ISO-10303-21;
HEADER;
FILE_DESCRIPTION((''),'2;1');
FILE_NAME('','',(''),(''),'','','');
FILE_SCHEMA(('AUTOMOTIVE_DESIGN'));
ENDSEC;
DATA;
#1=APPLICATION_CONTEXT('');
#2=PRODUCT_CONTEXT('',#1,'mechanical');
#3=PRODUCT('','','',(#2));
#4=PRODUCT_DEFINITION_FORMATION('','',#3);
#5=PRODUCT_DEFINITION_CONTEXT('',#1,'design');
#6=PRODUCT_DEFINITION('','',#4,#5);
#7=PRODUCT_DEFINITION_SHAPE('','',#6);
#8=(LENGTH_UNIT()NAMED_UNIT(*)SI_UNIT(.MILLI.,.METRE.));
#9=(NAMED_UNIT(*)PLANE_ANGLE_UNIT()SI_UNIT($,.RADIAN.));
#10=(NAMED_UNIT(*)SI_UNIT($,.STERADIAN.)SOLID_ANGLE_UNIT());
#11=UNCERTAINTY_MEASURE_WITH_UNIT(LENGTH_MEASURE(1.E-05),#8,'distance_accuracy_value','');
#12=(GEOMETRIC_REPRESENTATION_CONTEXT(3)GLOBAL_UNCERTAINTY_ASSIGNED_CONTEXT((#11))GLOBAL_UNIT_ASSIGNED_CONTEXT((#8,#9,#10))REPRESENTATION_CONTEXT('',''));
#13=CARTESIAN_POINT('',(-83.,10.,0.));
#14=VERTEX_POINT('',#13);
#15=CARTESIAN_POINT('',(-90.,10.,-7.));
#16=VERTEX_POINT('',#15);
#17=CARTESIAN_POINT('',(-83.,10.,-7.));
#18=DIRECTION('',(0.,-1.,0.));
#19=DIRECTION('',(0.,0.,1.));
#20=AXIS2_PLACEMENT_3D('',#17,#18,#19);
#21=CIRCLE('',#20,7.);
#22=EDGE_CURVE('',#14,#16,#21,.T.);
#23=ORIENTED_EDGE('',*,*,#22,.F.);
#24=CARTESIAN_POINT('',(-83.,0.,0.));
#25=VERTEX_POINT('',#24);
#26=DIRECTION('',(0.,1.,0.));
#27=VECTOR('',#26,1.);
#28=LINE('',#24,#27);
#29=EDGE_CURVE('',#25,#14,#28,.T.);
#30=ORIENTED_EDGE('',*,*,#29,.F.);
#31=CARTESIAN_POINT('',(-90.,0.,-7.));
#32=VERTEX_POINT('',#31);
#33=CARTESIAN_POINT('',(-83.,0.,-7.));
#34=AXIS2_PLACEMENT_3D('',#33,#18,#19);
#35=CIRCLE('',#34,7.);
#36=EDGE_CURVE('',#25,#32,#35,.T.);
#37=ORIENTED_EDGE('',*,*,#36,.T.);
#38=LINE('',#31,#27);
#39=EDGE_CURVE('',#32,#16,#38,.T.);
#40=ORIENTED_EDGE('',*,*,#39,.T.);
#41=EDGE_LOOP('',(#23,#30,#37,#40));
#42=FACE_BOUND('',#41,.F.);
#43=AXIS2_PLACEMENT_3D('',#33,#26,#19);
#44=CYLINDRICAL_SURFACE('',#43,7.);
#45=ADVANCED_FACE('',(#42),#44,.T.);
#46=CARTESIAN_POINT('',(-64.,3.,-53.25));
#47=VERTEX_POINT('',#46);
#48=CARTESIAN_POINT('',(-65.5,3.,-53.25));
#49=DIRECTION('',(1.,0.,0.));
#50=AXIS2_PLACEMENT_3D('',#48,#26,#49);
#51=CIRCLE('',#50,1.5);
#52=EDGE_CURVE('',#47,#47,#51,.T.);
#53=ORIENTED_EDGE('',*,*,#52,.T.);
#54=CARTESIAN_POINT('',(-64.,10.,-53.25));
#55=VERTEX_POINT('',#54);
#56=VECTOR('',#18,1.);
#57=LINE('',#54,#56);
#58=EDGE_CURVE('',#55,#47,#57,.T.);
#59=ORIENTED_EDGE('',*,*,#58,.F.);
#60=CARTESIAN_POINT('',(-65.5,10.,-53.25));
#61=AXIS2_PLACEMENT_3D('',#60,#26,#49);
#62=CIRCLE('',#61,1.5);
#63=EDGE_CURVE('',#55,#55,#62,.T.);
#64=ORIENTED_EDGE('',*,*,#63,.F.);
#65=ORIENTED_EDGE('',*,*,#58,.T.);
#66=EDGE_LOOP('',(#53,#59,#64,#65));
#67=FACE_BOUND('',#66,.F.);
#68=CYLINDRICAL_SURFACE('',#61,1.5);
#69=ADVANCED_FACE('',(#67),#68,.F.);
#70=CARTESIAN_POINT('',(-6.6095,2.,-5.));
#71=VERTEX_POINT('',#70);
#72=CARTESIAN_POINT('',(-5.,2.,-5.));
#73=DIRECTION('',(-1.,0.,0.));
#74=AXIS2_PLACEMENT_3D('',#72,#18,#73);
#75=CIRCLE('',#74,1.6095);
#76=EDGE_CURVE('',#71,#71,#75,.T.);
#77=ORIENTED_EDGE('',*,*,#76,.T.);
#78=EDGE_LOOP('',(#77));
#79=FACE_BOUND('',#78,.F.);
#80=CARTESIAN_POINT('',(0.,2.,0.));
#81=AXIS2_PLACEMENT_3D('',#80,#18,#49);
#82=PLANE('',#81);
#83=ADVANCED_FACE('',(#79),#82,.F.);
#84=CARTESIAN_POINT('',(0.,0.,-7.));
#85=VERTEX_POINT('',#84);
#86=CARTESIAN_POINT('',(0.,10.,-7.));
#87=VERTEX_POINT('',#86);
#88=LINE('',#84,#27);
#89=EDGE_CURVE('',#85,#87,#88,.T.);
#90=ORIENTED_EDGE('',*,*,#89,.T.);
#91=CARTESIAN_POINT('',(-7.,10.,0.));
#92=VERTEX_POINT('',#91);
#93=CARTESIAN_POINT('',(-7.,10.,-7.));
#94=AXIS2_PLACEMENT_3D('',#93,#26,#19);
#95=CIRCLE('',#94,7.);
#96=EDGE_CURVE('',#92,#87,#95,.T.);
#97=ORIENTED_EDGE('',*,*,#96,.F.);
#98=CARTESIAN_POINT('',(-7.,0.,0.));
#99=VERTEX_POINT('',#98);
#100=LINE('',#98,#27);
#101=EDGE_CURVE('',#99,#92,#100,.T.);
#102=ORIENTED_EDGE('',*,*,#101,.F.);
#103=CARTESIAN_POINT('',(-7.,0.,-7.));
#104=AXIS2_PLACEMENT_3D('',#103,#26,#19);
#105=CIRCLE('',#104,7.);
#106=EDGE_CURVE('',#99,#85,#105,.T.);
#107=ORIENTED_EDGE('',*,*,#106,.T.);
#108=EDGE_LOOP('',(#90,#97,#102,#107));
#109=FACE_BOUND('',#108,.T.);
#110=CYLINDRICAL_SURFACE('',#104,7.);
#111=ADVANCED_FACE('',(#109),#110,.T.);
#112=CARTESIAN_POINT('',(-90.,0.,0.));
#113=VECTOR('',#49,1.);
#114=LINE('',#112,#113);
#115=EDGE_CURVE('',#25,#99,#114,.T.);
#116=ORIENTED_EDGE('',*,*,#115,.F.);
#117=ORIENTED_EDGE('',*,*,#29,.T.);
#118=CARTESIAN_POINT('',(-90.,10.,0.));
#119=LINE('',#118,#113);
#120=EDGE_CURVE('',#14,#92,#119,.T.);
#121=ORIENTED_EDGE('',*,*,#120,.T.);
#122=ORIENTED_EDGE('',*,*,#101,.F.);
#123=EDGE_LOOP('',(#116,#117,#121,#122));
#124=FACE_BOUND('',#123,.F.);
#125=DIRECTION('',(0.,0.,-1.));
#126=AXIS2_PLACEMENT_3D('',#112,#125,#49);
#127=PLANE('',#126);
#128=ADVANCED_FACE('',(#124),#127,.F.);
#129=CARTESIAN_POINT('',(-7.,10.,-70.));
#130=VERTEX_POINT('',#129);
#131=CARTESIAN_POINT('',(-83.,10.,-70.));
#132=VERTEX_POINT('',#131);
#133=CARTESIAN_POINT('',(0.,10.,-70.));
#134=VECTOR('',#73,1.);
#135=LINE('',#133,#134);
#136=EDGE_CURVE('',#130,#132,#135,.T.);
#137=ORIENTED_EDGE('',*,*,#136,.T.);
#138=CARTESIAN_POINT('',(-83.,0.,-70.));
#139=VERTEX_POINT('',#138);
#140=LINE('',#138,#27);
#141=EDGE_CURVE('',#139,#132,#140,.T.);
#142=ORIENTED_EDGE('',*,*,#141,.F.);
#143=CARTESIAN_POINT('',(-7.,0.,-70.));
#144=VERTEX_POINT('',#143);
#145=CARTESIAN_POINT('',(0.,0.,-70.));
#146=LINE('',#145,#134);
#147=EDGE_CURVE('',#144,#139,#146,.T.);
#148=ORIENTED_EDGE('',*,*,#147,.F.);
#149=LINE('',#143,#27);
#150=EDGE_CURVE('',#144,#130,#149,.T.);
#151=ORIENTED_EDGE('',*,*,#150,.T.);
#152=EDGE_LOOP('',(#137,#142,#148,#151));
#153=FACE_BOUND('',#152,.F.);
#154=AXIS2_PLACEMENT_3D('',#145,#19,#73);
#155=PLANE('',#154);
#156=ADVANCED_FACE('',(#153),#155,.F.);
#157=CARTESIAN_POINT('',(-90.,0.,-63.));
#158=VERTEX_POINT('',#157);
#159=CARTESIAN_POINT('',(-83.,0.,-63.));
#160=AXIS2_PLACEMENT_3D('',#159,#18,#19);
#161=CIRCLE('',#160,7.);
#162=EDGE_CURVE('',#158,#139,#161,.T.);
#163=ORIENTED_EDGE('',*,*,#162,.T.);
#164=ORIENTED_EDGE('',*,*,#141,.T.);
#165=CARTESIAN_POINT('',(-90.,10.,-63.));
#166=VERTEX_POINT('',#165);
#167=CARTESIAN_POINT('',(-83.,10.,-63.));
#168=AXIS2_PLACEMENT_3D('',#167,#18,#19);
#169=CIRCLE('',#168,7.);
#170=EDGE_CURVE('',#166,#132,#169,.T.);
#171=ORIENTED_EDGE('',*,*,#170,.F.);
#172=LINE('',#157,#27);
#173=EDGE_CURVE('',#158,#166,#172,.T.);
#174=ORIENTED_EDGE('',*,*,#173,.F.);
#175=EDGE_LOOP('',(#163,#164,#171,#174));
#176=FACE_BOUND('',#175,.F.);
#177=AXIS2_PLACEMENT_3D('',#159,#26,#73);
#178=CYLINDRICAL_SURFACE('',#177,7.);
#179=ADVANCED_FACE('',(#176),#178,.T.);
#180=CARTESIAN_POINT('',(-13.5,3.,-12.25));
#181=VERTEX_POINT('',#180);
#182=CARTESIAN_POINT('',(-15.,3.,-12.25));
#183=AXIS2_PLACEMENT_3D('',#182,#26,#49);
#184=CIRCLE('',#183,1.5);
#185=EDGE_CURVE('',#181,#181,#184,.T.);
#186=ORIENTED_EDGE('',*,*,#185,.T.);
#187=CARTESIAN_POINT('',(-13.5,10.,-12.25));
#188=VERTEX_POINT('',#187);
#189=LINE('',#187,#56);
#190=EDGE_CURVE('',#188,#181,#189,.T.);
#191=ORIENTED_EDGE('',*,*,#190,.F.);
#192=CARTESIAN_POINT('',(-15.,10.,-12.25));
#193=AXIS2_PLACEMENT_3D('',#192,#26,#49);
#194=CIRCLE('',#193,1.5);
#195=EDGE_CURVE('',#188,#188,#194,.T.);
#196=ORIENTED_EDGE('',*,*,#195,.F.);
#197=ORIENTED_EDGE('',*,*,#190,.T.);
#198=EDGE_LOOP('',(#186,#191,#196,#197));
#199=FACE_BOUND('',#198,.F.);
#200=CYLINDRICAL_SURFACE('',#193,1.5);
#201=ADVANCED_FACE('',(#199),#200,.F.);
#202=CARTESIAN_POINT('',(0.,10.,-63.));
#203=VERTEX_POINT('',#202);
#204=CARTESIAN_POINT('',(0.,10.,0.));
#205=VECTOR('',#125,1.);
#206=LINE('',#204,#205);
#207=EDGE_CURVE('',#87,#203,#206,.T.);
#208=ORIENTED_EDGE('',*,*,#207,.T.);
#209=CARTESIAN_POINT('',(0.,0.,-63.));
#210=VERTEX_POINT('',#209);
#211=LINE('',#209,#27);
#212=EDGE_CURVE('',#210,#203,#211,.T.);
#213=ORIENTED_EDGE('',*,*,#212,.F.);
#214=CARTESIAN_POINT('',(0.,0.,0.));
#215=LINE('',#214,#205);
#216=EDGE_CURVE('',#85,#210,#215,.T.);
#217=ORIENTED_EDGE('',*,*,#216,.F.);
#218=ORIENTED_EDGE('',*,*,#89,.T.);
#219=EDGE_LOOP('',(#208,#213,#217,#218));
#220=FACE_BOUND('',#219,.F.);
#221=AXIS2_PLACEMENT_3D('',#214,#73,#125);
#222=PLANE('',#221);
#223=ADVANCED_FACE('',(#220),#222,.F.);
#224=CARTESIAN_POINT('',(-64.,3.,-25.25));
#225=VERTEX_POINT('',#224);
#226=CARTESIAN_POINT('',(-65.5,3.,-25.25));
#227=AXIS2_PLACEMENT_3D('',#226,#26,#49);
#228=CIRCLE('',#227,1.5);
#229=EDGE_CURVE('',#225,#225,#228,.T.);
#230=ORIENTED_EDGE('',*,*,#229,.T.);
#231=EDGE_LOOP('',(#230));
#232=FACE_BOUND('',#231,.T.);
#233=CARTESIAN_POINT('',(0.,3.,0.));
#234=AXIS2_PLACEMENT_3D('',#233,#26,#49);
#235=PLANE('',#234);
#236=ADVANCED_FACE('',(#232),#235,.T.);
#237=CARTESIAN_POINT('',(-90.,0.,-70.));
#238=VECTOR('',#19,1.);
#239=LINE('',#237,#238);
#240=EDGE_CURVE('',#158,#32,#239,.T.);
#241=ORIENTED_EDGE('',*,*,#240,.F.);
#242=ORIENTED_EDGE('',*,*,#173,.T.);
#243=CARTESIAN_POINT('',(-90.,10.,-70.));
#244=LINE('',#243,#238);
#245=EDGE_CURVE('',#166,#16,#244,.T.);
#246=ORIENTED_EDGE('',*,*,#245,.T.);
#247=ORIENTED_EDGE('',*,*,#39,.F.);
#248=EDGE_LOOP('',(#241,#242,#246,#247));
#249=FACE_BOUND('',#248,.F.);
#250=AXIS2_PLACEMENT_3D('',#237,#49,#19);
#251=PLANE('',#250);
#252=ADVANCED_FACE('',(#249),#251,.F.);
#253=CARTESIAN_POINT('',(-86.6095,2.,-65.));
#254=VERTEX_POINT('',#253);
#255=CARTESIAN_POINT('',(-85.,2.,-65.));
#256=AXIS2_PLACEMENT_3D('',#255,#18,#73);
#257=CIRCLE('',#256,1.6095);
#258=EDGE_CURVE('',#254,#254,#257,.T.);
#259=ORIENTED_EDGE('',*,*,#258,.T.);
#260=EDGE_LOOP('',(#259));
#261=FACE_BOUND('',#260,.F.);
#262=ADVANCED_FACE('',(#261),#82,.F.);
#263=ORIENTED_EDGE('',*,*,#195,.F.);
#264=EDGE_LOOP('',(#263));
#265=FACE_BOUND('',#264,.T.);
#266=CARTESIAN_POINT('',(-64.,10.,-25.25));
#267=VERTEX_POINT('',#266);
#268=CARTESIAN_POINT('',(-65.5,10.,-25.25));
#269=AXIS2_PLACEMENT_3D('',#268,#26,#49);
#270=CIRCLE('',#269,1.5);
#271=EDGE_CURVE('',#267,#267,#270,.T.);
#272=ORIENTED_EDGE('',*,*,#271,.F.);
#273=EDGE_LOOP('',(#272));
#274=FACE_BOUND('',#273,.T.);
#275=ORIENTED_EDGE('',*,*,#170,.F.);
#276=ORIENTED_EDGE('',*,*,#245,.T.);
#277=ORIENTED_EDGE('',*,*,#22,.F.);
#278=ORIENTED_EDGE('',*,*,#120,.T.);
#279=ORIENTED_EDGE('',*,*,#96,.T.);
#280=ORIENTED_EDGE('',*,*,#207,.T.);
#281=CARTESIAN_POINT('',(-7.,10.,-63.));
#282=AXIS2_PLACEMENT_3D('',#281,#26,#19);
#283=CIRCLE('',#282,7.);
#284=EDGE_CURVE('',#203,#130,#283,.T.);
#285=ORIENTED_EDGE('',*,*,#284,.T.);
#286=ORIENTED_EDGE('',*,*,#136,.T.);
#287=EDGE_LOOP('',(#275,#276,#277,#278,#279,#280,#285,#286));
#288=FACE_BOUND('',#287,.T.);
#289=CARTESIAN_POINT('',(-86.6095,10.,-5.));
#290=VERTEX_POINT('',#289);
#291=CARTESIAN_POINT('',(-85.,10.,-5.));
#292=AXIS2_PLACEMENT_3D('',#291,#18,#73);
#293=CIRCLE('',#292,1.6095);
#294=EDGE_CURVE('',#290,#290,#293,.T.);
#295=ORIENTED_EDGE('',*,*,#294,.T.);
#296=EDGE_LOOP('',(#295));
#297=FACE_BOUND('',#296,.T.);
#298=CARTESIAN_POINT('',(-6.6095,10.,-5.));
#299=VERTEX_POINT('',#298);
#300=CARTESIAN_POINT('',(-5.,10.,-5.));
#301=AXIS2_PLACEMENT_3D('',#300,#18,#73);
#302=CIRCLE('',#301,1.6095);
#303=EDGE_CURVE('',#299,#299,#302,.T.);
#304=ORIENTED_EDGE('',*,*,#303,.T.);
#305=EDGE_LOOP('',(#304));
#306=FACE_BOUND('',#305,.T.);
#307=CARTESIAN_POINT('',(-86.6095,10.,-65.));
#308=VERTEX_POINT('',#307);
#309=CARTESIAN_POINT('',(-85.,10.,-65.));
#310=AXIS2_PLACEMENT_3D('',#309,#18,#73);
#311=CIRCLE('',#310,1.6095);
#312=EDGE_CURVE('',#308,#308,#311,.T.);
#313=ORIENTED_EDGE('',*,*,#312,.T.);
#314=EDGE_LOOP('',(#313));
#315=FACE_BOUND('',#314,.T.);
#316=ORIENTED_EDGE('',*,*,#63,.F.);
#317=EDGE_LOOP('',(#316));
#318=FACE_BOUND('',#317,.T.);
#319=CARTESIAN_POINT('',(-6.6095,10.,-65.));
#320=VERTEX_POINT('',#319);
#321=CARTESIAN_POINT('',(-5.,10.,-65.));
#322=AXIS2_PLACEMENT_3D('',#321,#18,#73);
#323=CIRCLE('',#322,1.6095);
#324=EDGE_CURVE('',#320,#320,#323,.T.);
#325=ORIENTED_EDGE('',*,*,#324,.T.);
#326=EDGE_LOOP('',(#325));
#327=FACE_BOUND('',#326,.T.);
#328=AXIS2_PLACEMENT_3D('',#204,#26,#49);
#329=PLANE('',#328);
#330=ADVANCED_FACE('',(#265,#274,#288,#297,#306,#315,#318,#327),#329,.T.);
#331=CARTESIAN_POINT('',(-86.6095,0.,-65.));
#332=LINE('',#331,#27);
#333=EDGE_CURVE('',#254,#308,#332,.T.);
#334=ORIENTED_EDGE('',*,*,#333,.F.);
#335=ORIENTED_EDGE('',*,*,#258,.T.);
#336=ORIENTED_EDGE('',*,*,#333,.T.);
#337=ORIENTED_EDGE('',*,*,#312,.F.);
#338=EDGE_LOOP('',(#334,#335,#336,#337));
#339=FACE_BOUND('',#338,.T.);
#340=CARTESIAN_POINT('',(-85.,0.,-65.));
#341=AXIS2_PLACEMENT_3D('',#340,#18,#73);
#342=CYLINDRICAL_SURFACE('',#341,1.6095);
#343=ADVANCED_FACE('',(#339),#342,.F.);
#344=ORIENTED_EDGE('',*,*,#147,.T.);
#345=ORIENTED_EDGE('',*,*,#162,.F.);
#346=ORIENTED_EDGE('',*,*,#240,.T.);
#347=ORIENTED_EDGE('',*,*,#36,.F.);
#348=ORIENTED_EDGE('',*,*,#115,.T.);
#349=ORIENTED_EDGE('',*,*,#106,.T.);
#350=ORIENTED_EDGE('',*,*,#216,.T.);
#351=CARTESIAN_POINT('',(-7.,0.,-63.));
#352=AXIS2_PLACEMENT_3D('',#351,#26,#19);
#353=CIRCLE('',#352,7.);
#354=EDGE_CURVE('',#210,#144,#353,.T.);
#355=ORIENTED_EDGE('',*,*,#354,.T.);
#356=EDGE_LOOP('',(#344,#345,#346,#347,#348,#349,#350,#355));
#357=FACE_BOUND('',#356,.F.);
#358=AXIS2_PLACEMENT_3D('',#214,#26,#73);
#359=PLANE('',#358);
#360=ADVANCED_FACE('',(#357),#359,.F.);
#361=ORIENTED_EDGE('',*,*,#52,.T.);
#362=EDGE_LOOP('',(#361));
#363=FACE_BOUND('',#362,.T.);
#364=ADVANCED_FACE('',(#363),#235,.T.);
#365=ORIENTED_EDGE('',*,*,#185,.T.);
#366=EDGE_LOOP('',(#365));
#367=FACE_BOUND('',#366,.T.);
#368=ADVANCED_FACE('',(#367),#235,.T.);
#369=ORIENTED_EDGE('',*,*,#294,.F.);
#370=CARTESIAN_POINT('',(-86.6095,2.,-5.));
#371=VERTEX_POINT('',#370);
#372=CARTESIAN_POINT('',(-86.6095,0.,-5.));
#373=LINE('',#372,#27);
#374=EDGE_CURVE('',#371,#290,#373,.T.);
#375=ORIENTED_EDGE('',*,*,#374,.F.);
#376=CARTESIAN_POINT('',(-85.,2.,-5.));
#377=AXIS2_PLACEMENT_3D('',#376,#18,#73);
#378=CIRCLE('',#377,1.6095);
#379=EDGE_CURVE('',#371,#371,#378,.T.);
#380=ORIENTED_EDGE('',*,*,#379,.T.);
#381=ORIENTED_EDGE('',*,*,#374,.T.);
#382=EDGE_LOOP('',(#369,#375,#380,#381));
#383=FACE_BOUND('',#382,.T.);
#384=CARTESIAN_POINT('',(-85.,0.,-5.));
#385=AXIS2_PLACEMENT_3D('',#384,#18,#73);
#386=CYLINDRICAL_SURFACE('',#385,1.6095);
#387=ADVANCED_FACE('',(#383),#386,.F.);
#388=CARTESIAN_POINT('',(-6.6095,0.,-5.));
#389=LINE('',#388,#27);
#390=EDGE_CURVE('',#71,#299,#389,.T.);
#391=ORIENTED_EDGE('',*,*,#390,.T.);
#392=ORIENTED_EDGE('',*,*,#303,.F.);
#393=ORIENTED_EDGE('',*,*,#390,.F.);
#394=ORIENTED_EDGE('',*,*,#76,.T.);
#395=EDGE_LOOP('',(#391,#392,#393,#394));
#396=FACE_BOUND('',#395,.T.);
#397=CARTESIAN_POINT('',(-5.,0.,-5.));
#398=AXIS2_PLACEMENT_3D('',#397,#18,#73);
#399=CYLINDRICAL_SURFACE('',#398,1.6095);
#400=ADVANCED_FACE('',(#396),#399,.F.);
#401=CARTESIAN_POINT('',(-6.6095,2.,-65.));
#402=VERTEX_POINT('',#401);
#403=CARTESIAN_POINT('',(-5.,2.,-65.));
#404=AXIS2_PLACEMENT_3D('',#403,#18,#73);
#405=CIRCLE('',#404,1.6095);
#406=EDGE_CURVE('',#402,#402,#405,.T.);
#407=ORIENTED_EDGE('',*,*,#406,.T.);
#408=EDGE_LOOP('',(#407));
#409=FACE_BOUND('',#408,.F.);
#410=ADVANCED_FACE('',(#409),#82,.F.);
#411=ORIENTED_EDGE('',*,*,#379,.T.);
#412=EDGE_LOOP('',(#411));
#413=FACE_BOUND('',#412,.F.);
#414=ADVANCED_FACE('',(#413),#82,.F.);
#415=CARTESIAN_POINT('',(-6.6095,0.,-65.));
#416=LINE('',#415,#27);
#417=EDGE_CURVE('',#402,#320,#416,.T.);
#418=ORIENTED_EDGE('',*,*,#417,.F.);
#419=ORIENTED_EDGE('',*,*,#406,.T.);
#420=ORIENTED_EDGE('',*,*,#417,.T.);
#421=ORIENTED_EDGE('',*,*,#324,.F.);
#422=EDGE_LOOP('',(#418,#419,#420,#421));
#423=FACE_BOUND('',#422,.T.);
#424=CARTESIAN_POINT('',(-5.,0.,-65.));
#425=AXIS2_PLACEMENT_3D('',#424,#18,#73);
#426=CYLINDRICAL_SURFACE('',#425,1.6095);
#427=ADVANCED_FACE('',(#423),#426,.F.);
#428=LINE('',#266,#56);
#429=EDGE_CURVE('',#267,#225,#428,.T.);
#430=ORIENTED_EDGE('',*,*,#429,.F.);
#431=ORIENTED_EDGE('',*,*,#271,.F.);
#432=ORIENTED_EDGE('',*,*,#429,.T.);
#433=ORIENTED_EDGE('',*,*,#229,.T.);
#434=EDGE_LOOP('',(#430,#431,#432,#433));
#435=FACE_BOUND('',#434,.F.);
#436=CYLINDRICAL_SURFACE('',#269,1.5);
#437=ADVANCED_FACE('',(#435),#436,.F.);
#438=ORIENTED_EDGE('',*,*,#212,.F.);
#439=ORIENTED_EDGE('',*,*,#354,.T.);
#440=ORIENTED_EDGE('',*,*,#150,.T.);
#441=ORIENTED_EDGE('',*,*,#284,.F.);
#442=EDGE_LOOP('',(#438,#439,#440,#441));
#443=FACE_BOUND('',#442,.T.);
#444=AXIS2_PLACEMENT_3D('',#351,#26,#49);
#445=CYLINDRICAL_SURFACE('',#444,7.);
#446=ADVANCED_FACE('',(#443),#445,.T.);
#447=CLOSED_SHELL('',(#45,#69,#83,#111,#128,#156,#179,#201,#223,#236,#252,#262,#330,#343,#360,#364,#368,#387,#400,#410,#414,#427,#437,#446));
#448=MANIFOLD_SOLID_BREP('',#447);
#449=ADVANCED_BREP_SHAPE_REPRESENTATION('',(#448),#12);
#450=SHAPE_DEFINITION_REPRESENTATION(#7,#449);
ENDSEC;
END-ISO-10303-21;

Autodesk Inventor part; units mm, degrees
ref_plane "YZ Plane" through (0, 0, 0) normal (1, 0, 0) x (0, 1, 0)
ref_plane "XZ Plane" through (0, 0, 0) normal (0, 1, 0) x (-1, 0, 0)
ref_plane "XY Plane" through (0, 0, 0) normal (0, 0, 1) x (1, 0, 0)
sketch "Sketch1" plane through (0, 0, 0) normal (0, 1, 0) x (-1, 0, 0)
  line L0 (0, 0) -> (0, -70)
  line L1 (0, -70) -> (90, -70)
  line L2 (90, -70) -> (90, 0)
  line L3 (90, 0) -> (0, 0)
  circle A0 centre (85, -65) radius 1.6095
  circle A1 centre (85, -5) radius 1.6095
  circle A2 centre (85, -5) radius 1.6095
  circle A3 centre (85, -65) radius 1.6095
  circle A4 centre (5, -65) radius 1.6095
  circle A5 centre (5, -5) radius 1.6095
  circle A6 centre (5, -65) radius 1.6095
  circle A7 centre (5, -5) radius 1.6095
  dimension "d0" = 70
  dimension "d1" = 90
  dimension "d5" = 5
  dimension "d6" = 3.2191
extrude "Extrusion1" add sketch "Sketch1" along normal blind 15
sketch "Sketch2" plane through (0, 15, 0) normal (0, 1, 0) x (1, 0, 0)
  line L0 (-90, 70) -> (-90, 0) projected
  line L1 (-90, 0) -> (0, 0) projected
  line L2 (-90, 0) -> (0, 0)
  line L3 (0, 70) -> (-90, 70) projected
  line L4 (0, 0) -> (0, 70)
  line L5 (0, 70) -> (-90, 70)
  line L6 (-90, 70) -> (-90, 0)
extrude "Extrusion2" cut sketch "Sketch2" against normal blind 5
fillet "Fillet1" radius 7 4 edges at (-90, 5, -70) (-90, 5, 0) (0, 5, -70) (0, 5, 0)
sketch "Sketch3" plane through (0, 0, 0) normal (0, -1, 0) x (1, 0, 0)
  circle A0 centre (-85, -65) radius 1.6095 projected
  circle A1 centre (-85, -65) radius 1.6095
  circle A2 centre (-85, -5) radius 1.6095 projected
  circle A3 centre (-85, -5) radius 1.6095
  circle A4 centre (-5, -5) radius 1.6095 projected
  circle A5 centre (-5, -5) radius 1.6095
  circle A6 centre (-5, -65) radius 1.6095 projected
  circle A7 centre (-5, -65) radius 1.6095
  point P0 (0, 0)
extrude "Extrusion3" add sketch "Sketch3" against normal blind 2
sketch "Sketch4" plane through (0, 10, 0) normal (0, 1, 0) x (1, 0, 0)
  point P0 (0, 0)
sketch "Sketch5" plane through (0, 10, 0) normal (0, 1, 0) x (1, 0, 0)
  circle A0 centre (-15, 12.25) radius 1.5
  circle A1 centre (-65.5, 53.25) radius 1.5
  circle A2 centre (-65.5, 25.25) radius 1.5
  point P0 (0, 0)
extrude "Extrusion4" cut sketch "Sketch5" against normal blind 7
properties part number "Módulo de fixação Arduíno" material "PPS Plastic"
